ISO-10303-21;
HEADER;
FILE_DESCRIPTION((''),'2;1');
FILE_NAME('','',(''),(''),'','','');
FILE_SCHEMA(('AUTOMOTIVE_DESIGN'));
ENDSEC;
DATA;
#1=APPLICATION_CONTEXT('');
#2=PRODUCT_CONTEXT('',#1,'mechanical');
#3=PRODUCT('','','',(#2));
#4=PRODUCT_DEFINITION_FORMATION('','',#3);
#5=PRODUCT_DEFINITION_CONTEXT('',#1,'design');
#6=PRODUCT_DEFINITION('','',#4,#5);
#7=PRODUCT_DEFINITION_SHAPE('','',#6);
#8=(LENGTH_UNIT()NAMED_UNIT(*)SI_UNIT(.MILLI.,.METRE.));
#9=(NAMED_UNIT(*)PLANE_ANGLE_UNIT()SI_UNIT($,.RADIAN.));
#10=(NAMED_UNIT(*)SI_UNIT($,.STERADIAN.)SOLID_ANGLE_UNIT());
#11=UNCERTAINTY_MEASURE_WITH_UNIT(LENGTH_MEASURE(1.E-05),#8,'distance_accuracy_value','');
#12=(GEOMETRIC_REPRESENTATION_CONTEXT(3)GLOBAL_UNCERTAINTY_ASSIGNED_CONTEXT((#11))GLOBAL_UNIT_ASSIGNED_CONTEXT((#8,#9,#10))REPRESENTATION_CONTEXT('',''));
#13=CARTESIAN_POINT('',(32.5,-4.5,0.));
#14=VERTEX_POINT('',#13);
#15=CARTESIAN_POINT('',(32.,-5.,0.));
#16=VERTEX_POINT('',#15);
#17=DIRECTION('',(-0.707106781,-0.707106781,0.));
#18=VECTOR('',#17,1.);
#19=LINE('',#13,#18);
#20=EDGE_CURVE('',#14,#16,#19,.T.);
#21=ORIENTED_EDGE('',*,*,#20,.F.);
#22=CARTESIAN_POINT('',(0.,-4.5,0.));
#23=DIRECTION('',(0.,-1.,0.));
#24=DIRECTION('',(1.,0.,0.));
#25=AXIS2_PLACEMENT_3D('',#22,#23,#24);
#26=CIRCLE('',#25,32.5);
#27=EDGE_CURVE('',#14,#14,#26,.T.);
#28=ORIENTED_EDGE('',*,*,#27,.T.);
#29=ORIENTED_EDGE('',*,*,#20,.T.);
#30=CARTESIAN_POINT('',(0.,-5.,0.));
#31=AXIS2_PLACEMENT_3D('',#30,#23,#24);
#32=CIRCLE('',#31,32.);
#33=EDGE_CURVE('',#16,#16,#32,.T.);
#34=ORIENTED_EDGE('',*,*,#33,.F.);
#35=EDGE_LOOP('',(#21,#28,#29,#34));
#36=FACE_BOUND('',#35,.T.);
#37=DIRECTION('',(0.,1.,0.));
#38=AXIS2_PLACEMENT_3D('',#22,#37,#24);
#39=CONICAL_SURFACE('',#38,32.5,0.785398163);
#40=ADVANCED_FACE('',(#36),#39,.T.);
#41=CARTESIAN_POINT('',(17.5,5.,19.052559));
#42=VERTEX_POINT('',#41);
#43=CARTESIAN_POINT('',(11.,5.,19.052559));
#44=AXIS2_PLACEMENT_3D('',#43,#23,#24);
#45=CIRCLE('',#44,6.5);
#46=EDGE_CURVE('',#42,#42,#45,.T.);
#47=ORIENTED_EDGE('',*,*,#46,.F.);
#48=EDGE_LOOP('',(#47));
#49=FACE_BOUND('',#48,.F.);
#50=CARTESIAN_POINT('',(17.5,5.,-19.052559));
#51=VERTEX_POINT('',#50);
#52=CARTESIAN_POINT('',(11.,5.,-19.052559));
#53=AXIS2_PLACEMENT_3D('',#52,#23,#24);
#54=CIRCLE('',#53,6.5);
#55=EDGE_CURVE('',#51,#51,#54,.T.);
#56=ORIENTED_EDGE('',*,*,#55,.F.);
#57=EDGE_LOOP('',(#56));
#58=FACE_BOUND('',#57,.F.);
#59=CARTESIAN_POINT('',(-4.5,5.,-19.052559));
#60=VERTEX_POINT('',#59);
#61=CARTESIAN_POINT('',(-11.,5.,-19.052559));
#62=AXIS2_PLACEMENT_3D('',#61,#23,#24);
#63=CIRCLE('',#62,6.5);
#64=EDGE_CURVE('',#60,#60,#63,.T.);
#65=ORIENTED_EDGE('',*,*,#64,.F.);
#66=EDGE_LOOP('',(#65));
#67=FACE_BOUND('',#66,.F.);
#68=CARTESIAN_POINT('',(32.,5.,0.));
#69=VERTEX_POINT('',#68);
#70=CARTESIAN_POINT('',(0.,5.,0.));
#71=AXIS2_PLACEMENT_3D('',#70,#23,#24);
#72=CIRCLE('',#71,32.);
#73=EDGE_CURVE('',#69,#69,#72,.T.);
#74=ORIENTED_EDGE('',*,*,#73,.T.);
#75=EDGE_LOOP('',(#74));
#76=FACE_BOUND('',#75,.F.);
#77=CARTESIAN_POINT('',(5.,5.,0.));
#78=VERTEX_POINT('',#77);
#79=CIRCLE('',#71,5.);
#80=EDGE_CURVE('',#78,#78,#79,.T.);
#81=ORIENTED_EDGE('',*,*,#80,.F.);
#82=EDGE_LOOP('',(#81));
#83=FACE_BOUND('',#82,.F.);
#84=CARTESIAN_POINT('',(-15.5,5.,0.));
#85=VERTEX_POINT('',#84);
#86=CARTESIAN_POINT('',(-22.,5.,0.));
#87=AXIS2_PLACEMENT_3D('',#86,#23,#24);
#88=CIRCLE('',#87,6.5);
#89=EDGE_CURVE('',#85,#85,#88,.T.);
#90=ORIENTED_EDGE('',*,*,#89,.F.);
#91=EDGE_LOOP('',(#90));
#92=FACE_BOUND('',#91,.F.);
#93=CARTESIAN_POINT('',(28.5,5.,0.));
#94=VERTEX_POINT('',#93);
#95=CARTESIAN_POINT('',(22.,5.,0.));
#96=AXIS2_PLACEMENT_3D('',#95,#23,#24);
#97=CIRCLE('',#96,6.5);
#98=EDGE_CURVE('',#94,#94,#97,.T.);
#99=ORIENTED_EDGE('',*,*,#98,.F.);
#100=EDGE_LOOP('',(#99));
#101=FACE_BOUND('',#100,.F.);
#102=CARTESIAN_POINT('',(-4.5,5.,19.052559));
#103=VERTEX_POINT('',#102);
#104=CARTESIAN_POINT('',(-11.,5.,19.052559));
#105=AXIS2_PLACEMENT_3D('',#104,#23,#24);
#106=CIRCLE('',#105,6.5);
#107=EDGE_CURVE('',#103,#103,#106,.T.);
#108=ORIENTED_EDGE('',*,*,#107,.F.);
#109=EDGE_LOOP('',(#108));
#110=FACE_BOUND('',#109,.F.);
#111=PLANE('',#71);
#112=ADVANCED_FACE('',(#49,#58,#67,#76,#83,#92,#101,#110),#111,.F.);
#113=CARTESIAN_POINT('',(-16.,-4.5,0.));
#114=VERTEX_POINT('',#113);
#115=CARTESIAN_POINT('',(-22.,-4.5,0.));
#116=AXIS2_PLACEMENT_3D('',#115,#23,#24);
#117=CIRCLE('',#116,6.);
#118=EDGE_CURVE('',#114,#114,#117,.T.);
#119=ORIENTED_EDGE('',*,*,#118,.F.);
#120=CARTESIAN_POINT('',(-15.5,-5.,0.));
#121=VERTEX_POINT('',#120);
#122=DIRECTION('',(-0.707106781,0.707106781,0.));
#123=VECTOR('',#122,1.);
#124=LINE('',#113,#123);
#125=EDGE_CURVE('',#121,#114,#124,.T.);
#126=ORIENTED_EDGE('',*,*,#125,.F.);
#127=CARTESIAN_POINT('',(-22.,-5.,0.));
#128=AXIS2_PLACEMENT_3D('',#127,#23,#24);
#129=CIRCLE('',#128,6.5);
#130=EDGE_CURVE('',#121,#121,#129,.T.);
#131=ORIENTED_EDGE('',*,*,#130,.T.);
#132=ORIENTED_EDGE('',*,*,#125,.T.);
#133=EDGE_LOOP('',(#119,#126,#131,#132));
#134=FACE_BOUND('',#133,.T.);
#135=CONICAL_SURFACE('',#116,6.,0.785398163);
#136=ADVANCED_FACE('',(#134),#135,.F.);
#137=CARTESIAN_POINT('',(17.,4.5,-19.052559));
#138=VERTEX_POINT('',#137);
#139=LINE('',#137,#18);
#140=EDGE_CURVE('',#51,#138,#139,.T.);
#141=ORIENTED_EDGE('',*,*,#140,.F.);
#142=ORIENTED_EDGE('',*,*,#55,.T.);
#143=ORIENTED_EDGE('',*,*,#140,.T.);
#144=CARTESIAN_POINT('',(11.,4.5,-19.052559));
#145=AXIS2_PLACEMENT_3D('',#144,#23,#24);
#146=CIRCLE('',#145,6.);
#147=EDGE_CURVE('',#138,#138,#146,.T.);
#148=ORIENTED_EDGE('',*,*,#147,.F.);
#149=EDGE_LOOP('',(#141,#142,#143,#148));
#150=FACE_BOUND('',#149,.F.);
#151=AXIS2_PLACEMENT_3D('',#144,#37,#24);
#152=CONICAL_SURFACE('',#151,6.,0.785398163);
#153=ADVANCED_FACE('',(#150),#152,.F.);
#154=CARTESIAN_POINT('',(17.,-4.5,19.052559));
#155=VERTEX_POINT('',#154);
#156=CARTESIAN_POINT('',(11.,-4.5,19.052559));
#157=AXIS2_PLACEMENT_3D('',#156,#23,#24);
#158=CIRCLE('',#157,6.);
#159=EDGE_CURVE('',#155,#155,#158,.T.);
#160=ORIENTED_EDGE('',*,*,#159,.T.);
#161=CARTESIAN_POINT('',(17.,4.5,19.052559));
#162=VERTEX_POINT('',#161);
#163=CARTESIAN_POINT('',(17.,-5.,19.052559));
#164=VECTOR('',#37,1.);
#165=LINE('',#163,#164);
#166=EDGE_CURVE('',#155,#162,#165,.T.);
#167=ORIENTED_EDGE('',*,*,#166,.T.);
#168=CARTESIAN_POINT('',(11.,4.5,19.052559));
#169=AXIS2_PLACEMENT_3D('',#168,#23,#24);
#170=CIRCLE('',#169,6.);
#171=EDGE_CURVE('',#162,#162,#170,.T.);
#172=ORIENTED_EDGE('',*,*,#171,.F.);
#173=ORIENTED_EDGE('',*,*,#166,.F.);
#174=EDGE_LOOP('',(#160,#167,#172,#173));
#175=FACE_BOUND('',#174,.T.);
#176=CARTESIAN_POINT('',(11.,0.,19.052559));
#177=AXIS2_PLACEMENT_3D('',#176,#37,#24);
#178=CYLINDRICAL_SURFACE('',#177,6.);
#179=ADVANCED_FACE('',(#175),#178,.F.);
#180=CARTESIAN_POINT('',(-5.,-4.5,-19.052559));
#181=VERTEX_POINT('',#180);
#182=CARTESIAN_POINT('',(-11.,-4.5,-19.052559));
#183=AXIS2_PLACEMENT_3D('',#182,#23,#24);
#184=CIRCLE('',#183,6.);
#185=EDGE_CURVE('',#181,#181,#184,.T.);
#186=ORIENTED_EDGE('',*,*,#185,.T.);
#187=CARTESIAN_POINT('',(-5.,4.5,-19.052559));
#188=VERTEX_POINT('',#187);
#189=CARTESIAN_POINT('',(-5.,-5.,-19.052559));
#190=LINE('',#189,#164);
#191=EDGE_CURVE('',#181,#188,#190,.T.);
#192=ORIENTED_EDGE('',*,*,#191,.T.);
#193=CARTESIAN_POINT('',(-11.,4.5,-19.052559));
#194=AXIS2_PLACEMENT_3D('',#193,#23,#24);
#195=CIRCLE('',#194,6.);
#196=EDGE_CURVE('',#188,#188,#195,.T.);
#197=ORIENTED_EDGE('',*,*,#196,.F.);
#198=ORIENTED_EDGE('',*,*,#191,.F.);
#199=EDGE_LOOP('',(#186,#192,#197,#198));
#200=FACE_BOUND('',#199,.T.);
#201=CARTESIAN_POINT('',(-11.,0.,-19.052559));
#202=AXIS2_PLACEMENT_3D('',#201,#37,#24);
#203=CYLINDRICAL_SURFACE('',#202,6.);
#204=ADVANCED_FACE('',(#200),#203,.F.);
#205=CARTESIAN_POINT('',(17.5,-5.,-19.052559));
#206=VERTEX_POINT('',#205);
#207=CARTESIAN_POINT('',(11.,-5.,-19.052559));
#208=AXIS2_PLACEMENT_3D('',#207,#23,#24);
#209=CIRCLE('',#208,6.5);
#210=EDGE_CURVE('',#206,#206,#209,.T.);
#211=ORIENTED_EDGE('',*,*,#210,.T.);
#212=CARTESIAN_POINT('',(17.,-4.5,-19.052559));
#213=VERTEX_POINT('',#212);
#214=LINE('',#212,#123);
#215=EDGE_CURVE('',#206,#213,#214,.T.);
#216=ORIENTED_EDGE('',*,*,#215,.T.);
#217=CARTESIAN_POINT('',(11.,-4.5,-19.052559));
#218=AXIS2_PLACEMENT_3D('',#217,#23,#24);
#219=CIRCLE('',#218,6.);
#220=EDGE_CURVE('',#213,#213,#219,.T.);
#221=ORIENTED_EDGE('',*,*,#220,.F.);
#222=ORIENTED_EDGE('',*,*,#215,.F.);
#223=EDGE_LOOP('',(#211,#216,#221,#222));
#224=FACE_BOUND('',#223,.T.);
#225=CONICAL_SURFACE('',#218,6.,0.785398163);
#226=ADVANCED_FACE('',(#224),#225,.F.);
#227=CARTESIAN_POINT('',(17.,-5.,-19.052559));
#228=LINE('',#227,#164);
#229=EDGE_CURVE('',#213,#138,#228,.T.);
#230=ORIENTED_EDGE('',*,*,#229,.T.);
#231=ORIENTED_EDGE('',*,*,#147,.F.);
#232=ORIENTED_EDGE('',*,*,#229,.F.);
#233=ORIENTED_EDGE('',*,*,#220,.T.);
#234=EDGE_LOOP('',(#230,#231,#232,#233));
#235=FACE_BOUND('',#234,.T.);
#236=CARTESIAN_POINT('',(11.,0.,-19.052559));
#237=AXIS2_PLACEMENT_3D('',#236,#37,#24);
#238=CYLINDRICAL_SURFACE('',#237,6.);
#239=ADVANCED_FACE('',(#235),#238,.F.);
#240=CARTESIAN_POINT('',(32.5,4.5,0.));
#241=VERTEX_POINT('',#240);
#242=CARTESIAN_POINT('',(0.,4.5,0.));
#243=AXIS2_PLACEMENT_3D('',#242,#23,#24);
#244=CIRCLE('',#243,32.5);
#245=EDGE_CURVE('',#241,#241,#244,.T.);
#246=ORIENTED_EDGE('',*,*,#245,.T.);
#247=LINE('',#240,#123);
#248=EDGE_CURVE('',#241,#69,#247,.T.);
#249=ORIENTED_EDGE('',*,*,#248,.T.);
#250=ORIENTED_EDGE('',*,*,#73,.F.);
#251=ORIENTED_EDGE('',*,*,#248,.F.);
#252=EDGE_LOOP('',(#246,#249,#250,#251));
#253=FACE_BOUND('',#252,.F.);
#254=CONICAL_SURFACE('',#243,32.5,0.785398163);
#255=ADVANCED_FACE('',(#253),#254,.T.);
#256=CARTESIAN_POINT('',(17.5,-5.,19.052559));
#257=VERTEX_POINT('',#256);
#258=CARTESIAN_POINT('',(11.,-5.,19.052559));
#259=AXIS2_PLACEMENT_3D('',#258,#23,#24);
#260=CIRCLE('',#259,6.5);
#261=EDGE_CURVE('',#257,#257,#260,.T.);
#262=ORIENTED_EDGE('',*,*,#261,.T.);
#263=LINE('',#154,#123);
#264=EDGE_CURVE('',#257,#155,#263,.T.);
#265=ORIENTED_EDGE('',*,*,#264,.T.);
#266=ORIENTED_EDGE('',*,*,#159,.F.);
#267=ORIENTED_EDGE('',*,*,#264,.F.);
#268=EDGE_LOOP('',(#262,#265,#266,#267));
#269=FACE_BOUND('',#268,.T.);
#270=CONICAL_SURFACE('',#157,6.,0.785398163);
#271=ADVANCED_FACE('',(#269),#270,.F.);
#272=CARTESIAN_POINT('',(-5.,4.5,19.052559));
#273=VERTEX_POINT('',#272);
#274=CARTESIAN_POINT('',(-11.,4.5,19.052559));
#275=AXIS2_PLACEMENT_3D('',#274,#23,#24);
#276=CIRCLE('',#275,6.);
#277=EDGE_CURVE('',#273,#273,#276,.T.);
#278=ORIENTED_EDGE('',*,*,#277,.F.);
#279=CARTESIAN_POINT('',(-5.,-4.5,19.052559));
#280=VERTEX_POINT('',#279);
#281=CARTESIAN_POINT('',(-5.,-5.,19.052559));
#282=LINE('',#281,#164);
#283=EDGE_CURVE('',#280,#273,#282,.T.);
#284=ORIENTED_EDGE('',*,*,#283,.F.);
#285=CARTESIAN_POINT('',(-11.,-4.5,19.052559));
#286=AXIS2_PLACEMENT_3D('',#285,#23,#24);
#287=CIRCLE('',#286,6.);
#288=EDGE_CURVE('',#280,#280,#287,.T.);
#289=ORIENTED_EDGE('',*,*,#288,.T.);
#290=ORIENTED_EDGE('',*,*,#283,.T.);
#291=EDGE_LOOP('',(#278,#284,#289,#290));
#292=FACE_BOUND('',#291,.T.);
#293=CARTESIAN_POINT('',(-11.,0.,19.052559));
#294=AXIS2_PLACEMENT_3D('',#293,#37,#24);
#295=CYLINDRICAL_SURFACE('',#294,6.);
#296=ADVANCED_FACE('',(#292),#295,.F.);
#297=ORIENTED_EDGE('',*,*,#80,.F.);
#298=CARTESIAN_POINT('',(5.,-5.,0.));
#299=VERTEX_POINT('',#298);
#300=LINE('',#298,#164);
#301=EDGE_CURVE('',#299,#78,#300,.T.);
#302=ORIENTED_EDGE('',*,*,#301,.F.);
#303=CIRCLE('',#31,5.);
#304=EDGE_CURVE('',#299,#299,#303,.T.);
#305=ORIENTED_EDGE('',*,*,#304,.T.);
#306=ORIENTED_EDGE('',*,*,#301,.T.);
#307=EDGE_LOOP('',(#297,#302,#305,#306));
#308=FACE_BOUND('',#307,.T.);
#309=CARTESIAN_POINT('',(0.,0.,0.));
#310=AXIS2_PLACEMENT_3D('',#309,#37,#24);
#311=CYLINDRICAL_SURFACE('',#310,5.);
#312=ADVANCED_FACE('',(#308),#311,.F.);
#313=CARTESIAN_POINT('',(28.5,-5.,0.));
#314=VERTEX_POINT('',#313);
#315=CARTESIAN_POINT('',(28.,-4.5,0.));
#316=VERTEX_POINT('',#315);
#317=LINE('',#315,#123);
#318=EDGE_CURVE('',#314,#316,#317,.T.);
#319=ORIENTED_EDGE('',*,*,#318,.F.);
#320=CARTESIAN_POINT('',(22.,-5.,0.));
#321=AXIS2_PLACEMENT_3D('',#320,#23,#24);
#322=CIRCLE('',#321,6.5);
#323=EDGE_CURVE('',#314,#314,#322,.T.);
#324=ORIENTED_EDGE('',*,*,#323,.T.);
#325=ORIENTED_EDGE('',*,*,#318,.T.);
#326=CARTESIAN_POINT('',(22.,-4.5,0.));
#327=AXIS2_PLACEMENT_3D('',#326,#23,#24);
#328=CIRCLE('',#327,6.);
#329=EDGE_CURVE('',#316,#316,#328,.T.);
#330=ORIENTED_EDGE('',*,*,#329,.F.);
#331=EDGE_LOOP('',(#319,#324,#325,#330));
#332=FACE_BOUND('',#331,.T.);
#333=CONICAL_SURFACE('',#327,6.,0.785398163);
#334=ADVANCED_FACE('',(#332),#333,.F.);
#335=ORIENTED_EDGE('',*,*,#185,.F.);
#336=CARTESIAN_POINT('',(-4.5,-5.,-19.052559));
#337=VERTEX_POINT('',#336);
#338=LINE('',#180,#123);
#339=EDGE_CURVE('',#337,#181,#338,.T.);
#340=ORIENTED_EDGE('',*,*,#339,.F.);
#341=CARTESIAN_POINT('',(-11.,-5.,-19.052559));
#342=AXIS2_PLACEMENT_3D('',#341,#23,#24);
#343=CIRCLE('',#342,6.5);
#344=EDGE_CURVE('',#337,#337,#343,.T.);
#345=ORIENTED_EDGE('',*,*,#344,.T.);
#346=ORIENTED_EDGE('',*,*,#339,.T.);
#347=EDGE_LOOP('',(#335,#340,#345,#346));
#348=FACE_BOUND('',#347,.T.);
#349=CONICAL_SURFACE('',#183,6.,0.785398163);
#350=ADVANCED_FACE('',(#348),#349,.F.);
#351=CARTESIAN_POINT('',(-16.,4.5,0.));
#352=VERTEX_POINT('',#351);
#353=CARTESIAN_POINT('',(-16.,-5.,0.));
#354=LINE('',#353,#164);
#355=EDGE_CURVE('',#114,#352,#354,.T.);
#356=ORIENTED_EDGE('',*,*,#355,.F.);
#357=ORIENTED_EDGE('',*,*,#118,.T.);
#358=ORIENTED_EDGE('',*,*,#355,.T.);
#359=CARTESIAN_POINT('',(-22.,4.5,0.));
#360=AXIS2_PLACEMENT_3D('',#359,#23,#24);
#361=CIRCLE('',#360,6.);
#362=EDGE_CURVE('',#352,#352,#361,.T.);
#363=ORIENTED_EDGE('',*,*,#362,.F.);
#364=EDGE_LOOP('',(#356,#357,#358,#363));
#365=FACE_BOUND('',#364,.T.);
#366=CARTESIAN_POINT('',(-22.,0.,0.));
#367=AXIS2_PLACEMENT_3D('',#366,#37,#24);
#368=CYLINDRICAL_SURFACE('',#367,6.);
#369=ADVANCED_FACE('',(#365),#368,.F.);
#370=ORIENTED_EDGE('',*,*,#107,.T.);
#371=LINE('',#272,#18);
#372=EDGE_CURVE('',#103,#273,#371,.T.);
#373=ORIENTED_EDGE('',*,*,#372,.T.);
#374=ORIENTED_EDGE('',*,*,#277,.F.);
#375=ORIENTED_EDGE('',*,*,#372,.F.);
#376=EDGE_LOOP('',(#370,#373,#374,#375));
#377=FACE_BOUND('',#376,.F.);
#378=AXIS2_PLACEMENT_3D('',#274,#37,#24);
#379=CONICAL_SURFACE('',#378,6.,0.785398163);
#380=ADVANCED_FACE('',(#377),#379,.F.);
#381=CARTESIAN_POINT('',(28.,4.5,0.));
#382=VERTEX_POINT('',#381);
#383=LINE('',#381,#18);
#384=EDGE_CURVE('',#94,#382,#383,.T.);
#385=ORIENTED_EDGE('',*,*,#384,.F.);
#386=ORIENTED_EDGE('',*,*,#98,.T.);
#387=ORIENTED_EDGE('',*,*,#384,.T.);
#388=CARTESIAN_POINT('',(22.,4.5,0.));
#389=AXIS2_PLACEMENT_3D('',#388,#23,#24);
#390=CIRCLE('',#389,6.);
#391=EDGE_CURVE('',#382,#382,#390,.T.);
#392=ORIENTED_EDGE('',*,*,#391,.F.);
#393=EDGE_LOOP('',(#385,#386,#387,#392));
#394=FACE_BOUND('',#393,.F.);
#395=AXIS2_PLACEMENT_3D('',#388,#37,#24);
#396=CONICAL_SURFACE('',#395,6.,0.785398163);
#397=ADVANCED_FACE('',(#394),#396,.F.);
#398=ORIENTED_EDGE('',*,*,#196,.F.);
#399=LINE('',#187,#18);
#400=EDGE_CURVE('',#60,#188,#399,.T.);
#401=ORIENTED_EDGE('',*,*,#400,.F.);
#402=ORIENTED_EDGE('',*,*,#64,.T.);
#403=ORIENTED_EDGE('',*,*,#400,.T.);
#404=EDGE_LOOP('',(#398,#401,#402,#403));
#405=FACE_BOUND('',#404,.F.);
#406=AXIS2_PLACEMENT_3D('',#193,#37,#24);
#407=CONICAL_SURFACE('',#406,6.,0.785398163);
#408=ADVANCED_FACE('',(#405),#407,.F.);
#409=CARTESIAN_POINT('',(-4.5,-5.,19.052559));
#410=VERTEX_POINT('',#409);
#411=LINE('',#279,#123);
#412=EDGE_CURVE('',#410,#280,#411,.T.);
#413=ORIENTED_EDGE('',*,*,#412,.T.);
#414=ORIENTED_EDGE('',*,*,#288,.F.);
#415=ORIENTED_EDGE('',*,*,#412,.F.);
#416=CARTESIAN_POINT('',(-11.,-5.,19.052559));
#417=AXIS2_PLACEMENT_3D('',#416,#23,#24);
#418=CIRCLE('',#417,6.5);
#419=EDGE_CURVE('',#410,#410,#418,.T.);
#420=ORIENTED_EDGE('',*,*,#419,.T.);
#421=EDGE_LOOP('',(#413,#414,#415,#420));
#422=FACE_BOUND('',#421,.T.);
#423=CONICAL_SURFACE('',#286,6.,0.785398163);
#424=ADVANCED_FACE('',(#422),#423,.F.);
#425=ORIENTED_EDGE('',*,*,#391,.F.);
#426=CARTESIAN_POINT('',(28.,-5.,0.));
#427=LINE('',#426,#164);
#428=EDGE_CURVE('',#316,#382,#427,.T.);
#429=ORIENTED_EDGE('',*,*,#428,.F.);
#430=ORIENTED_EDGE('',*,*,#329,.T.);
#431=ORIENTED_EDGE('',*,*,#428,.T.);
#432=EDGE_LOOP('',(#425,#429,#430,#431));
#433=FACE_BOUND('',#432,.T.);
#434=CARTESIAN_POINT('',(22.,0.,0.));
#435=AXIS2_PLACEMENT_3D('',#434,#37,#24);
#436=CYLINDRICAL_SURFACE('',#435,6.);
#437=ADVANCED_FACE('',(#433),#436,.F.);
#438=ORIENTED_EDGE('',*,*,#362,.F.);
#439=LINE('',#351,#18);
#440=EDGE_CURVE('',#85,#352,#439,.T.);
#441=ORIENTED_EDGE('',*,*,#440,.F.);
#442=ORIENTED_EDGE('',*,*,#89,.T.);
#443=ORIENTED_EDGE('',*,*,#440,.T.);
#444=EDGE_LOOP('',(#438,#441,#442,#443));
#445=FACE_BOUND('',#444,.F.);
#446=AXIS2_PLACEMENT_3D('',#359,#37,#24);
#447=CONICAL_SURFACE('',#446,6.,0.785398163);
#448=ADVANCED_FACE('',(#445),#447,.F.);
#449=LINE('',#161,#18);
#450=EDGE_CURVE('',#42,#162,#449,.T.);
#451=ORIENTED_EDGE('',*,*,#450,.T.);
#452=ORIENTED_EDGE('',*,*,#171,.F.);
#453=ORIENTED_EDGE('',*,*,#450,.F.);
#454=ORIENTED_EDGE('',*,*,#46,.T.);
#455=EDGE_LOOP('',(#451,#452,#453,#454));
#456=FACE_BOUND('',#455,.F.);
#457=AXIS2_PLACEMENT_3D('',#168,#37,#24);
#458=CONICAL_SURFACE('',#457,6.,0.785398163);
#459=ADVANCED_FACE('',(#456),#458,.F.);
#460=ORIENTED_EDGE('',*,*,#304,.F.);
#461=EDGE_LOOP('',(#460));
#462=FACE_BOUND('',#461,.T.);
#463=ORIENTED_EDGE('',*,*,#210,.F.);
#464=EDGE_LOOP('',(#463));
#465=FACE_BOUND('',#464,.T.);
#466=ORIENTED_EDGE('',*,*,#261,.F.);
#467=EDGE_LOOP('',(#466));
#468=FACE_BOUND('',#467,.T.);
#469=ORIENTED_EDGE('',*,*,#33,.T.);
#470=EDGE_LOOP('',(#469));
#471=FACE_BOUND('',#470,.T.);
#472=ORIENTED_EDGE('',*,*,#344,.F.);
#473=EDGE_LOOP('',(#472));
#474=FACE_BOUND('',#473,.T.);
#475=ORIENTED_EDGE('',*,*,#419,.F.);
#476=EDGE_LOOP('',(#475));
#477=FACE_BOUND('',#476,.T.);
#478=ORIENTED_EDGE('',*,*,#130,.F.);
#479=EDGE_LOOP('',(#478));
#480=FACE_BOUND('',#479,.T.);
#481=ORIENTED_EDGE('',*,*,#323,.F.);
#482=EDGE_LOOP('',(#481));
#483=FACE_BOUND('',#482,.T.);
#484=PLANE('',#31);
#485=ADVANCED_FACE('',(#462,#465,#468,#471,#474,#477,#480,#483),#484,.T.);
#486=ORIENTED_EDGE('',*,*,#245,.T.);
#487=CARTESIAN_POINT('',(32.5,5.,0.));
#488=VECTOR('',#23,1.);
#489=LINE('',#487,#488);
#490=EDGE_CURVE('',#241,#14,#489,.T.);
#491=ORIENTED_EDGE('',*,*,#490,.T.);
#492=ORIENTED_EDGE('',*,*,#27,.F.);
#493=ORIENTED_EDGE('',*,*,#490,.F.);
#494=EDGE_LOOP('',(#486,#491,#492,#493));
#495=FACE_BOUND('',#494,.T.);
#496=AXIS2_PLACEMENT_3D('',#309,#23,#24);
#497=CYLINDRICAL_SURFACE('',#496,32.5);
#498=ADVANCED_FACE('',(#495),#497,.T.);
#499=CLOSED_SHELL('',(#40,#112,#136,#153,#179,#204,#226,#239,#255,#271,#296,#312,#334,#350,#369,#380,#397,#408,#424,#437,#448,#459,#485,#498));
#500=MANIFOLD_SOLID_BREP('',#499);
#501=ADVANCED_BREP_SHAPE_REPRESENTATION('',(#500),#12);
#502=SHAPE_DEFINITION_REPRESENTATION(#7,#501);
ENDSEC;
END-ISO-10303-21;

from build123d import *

# Parameters (mm, degrees)
F0_R     = 32.5
F0_R_2   = 6
F0_R_3   = 5
F1_DEPTH = 5
F2_SIZE  = 0.5
F3_SIZE  = 0.5
F4_SIZE  = 0.5


with BuildPart() as f1:
    # F0 (on Front) → F1 (new body, symmetric)
    with BuildSketch(Plane.XZ):
        Circle(F0_R)
        with Locations((-11, -19.052559)):
            Circle(F0_R_2, mode=Mode.SUBTRACT)
        with Locations((11, -19.052559)):
            Circle(F0_R_2, mode=Mode.SUBTRACT)
        with Locations((-22, 0)):
            Circle(F0_R_2, mode=Mode.SUBTRACT)
        with Locations((-11, 19.052559)):
            Circle(F0_R_2, mode=Mode.SUBTRACT)
        Circle(F0_R_3, mode=Mode.SUBTRACT)
        with Locations((22, 0)):
            Circle(F0_R_2, mode=Mode.SUBTRACT)
        with Locations((11, 19.052559)):
            Circle(F0_R_2, mode=Mode.SUBTRACT)
    extrude(amount=F1_DEPTH, both=True)

    # F2
    f2_edges = [f1.edges().sort_by_distance(p)[0] for p in [
        (-32.5, -5, 0),
    ]]
    chamfer(f2_edges, length=F2_SIZE)

    # F3
    f3_edges = [f1.edges().sort_by_distance(p)[0] for p in [
        (5, 5, -19.052559),
        (5, -5, -19.052559),
        (16, 5, 0),
        (5, 5, 19.052559),
        (-32.5, 5, 0),
        (-17, 5, 19.052559),
        (-28, 5, 0),
        (-17, 5, -19.052559),
        (16, -5, 0),
        (5, -5, 19.052559),
        (-17, -5, 19.052559),
        (-17, -5, -19.052559),
    ]]
    chamfer(f3_edges, length=F3_SIZE)

    # F4
    f4_edges = [f1.edges().sort_by_distance(p)[0] for p in [
        (-28, -5, 0),
    ]]
    chamfer(f4_edges, length=F4_SIZE)


solid = f1.part
